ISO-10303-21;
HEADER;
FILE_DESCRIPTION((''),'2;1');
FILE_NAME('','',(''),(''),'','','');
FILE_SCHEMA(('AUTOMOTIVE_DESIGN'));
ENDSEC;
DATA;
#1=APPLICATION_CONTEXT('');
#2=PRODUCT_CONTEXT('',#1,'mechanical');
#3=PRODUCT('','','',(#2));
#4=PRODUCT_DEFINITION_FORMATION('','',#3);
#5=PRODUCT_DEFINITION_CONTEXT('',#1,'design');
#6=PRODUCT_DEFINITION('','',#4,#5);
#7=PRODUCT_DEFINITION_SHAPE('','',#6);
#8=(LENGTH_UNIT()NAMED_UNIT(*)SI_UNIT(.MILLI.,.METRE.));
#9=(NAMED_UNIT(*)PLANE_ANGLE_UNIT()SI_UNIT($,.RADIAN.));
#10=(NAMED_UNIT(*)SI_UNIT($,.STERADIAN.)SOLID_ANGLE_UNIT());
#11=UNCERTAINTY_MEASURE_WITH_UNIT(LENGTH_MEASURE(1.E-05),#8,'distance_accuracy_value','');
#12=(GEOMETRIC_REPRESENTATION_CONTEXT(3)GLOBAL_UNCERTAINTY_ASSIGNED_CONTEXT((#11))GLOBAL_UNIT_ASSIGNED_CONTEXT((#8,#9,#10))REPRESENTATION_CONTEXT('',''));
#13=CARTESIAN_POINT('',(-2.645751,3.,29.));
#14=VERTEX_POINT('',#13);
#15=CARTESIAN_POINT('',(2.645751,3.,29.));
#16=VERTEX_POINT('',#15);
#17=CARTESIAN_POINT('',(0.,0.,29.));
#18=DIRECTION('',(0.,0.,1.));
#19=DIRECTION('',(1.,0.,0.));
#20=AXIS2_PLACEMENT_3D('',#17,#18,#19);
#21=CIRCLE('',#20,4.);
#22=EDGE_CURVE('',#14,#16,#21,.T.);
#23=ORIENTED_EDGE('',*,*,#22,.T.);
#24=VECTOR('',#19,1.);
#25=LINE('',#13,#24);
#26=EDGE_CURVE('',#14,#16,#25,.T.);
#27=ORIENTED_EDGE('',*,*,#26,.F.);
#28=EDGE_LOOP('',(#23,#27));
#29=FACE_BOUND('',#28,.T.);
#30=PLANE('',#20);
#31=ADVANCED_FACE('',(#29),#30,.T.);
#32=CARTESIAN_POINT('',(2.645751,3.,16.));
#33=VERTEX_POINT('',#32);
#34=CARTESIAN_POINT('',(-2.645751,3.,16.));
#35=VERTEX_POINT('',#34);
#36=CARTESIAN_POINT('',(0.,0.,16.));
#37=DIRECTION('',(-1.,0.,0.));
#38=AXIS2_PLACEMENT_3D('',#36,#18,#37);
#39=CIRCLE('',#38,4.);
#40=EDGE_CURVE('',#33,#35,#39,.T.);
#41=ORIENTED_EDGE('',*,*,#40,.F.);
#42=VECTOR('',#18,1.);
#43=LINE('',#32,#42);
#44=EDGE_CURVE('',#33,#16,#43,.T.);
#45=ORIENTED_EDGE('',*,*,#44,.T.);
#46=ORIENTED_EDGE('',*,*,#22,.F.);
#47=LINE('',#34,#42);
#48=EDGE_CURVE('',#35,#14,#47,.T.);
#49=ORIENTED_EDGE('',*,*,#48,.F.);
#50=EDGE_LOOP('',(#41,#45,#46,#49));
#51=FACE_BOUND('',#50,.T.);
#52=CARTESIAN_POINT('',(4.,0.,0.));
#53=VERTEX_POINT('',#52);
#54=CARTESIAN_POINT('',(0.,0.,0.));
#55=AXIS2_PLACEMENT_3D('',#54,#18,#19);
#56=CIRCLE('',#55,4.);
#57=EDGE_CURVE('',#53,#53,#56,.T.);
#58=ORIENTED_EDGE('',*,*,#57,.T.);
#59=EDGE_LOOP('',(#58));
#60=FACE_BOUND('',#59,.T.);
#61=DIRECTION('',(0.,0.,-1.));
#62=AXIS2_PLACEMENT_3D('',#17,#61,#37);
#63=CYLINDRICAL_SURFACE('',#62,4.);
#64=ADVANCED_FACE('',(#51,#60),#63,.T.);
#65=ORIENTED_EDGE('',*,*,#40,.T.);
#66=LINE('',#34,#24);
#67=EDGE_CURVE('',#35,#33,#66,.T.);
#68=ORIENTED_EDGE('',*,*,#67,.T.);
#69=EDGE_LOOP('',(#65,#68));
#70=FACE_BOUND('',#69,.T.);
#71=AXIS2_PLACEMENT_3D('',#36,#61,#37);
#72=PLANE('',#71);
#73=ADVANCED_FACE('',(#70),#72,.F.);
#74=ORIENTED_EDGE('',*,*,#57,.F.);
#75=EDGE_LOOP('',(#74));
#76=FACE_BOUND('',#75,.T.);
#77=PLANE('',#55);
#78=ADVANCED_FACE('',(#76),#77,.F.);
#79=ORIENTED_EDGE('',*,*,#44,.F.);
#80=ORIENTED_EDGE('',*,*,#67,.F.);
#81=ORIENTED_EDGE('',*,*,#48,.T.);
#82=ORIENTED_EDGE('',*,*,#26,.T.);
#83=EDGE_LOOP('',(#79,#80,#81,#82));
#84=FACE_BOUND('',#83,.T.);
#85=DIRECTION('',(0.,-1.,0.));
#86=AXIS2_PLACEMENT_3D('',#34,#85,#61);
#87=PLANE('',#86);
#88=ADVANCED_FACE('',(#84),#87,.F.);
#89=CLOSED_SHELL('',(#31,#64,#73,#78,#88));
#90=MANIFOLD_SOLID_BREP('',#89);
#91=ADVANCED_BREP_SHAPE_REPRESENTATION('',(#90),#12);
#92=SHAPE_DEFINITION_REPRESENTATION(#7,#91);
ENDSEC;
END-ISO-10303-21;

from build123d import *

# Parameters (mm, degrees)
SKETCH_1_R          = 4
EXTRUDE_1_DEPTH     = 29
CUT_EXTRUDE_START   = -13
CUT_EXTRUDE_1_DEPTH = 13


with BuildPart() as part:
    # 스케치1 → 보스-돌출1 (new body)
    with BuildSketch(Plane.XY):
        with Locations(Location((0, 0, 0), (0, 0, 180))):
            Circle(SKETCH_1_R)
    extrude(amount=EXTRUDE_1_DEPTH)

    # 스케치2 → 컷-돌출1 (cut)
    with BuildSketch(Plane.XY.offset(29).offset(CUT_EXTRUDE_START)):
        with BuildLine():
            Line((-2.645751311, 3), (2.645751311, 3))
            ThreePointArc((2.645751311, 3), (0, 4), (-2.645751311, 3))
        make_face()
    extrude(amount=CUT_EXTRUDE_1_DEPTH, mode=Mode.SUBTRACT)


solid = part.part
